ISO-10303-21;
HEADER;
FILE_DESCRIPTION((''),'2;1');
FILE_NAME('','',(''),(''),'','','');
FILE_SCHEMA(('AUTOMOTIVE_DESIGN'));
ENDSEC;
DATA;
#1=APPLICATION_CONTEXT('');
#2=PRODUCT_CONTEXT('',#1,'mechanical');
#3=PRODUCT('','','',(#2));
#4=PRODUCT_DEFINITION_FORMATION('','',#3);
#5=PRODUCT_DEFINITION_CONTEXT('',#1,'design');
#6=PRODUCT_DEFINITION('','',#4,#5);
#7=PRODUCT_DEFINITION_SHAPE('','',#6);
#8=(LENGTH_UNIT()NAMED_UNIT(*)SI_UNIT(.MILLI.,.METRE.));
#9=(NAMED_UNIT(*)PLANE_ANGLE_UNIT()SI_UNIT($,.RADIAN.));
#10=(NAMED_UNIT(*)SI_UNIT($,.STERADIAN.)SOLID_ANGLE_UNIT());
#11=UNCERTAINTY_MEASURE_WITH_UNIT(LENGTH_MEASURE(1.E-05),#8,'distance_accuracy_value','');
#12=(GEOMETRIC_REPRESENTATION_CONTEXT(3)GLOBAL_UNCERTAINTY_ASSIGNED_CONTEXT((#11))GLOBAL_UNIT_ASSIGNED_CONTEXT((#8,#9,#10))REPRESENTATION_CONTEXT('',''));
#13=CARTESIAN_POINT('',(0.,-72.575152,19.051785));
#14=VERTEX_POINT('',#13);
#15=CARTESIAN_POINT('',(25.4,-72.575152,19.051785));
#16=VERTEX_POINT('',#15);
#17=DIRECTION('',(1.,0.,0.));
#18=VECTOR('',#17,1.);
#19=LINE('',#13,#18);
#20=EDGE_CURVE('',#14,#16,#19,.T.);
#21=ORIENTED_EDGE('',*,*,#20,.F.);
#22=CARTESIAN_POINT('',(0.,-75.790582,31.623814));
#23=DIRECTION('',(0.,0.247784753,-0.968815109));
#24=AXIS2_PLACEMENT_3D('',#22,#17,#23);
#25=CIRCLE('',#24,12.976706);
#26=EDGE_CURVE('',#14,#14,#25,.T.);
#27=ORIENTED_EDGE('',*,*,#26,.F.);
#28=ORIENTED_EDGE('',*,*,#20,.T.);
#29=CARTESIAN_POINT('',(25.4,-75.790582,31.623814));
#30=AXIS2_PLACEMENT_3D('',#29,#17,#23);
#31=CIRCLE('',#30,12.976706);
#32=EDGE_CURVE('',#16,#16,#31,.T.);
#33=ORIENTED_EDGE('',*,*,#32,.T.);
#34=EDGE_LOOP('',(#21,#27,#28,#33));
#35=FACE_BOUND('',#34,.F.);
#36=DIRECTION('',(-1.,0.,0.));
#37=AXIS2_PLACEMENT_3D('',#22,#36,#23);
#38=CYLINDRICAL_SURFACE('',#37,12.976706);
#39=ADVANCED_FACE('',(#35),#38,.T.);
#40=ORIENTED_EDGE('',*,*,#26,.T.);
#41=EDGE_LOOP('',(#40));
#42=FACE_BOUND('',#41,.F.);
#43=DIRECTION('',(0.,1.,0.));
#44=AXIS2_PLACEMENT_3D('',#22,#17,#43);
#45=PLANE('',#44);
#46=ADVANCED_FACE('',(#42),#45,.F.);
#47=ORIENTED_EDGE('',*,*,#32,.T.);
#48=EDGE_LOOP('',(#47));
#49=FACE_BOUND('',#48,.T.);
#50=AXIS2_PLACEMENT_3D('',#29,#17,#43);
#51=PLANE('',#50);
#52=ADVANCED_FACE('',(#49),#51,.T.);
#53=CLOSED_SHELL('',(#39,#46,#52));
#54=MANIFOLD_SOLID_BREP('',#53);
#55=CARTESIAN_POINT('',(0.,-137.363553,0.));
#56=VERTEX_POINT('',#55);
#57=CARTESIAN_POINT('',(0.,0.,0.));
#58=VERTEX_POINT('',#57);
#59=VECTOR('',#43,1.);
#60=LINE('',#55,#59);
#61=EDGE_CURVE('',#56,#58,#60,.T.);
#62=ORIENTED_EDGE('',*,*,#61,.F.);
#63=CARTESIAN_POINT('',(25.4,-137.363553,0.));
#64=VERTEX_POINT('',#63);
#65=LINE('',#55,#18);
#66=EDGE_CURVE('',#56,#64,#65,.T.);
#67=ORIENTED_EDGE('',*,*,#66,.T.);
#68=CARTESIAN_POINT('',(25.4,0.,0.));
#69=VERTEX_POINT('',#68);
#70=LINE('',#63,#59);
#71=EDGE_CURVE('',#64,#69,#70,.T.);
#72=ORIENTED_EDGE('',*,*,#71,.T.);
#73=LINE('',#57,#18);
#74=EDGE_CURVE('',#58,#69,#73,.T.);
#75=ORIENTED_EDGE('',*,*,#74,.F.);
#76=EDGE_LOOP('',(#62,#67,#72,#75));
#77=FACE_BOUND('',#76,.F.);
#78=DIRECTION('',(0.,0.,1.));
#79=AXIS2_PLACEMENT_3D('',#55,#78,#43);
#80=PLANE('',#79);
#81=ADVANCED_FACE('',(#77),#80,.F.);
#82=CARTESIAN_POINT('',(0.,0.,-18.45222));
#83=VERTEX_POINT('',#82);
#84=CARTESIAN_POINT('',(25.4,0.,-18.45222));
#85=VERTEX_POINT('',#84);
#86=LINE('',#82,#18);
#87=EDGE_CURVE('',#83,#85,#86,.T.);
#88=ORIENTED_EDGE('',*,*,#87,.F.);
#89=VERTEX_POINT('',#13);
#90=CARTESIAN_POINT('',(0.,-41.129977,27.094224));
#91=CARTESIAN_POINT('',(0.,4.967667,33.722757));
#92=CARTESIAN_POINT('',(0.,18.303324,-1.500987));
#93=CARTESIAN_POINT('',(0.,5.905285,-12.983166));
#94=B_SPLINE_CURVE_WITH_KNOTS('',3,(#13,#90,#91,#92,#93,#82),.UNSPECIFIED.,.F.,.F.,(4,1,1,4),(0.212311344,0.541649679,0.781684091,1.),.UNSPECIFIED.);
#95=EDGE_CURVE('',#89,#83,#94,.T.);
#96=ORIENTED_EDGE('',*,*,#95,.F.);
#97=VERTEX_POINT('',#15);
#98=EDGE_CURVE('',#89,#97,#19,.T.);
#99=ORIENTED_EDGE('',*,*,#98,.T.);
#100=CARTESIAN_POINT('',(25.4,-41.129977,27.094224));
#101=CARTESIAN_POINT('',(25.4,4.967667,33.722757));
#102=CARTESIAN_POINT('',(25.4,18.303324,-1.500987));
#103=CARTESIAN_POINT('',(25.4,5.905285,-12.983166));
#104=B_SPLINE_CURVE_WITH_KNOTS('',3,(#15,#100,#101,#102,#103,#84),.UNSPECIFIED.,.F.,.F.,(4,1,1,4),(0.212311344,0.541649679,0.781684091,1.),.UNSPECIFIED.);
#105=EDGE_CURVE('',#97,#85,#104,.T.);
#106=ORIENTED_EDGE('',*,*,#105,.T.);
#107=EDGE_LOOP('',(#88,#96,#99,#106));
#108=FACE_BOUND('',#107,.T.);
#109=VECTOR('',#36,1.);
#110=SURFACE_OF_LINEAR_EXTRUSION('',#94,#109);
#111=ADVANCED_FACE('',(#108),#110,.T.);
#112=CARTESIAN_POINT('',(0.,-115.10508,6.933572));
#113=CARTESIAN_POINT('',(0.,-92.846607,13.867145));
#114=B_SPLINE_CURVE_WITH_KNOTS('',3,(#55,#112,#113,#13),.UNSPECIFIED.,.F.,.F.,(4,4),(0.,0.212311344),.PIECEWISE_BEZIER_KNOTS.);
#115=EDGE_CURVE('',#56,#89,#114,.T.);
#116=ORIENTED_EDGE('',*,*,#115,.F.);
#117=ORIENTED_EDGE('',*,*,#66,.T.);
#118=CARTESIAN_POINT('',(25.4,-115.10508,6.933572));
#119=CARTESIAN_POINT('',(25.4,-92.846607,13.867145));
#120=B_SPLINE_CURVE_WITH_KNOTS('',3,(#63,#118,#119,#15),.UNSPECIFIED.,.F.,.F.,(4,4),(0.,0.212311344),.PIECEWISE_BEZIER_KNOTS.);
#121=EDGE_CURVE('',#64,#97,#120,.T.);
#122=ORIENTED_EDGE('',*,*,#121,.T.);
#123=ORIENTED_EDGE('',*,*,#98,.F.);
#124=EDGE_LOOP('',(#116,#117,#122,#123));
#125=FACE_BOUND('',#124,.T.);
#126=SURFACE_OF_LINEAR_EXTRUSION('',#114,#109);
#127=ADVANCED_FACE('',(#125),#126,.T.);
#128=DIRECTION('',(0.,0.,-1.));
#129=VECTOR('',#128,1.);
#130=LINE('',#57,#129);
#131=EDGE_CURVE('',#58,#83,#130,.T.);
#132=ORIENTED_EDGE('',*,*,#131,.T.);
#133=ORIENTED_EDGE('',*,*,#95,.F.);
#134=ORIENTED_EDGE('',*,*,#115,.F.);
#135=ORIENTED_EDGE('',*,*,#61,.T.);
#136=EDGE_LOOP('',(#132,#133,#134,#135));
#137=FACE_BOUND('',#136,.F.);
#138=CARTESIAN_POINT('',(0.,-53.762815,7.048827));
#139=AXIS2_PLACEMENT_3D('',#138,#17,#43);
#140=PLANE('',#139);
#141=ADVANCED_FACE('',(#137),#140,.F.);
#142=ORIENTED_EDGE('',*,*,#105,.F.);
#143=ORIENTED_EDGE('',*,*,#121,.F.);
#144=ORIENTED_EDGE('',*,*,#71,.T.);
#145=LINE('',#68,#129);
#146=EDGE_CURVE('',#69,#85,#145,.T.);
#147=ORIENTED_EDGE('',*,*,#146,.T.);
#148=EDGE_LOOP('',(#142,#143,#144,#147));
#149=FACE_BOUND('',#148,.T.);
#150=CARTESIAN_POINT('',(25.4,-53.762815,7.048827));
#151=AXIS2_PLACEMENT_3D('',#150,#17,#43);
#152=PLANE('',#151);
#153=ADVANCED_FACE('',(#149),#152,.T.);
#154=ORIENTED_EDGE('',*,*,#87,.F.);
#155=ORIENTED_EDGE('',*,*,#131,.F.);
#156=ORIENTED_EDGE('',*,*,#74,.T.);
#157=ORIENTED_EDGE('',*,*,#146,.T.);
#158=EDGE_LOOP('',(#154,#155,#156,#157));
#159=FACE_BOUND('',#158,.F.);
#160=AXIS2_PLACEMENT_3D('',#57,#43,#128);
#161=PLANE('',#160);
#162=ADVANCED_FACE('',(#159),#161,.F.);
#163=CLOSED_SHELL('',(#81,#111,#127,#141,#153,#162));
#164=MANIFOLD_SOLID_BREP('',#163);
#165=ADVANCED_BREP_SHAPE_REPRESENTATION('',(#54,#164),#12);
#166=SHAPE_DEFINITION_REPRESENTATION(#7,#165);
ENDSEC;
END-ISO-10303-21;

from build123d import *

# Parameters (mm, degrees)
F1_DEPTH = 25.4


with BuildPart() as f1:
    # F0 (on Right) → F1 (new body)
    with BuildSketch(Plane.YZ):
        with BuildLine():
            ThreePointArc((-62.8138756842, 31.6238140479), (-86.040473753, 39.5821181051), (-72.5751516627, 19.0517853674))
            ThreePointArc((-72.5751516627, 19.0517853674), (-65.540689283, 23.6655099906), (-62.8138756842, 31.6238140479))
        make_face()
    extrude(amount=F1_DEPTH)


with BuildPart() as f1b:
    # F0 (on Right) → F1, piece 2 (new body)
    with BuildSketch(Plane.YZ):
        with BuildLine():
            Line((-137.3635530472, 0), (0, 0))
            Line((0, 0), (0, -18.4522196651))
            add(Edge.make_bspline(
                [(-72.5751516627, 19.0517853674), (-41.129977007, 27.0942238326), (4.9676671648, 33.7227569234), (18.3033239725, -1.5009866519), (5.9052848096, -12.9831661222), (0, -18.4522196651)],
                knots=[0.212311344, 0.212311344, 0.212311344, 0.212311344, 0.541649679, 0.7816840911, 1, 1, 1, 1], degree=3))
            add(Edge.make_bspline(
                [(-137.3635530472, 0), (-115.1050799378, 6.9335723587), (-92.8466068284, 13.8671447173), (-72.5751516627, 19.0517853674)],
                knots=[0, 0, 0, 0, 0.212311344, 0.212311344, 0.212311344, 0.212311344], degree=3))
        make_face()
    extrude(amount=F1_DEPTH)


solid = Compound([f1.part, f1b.part])
